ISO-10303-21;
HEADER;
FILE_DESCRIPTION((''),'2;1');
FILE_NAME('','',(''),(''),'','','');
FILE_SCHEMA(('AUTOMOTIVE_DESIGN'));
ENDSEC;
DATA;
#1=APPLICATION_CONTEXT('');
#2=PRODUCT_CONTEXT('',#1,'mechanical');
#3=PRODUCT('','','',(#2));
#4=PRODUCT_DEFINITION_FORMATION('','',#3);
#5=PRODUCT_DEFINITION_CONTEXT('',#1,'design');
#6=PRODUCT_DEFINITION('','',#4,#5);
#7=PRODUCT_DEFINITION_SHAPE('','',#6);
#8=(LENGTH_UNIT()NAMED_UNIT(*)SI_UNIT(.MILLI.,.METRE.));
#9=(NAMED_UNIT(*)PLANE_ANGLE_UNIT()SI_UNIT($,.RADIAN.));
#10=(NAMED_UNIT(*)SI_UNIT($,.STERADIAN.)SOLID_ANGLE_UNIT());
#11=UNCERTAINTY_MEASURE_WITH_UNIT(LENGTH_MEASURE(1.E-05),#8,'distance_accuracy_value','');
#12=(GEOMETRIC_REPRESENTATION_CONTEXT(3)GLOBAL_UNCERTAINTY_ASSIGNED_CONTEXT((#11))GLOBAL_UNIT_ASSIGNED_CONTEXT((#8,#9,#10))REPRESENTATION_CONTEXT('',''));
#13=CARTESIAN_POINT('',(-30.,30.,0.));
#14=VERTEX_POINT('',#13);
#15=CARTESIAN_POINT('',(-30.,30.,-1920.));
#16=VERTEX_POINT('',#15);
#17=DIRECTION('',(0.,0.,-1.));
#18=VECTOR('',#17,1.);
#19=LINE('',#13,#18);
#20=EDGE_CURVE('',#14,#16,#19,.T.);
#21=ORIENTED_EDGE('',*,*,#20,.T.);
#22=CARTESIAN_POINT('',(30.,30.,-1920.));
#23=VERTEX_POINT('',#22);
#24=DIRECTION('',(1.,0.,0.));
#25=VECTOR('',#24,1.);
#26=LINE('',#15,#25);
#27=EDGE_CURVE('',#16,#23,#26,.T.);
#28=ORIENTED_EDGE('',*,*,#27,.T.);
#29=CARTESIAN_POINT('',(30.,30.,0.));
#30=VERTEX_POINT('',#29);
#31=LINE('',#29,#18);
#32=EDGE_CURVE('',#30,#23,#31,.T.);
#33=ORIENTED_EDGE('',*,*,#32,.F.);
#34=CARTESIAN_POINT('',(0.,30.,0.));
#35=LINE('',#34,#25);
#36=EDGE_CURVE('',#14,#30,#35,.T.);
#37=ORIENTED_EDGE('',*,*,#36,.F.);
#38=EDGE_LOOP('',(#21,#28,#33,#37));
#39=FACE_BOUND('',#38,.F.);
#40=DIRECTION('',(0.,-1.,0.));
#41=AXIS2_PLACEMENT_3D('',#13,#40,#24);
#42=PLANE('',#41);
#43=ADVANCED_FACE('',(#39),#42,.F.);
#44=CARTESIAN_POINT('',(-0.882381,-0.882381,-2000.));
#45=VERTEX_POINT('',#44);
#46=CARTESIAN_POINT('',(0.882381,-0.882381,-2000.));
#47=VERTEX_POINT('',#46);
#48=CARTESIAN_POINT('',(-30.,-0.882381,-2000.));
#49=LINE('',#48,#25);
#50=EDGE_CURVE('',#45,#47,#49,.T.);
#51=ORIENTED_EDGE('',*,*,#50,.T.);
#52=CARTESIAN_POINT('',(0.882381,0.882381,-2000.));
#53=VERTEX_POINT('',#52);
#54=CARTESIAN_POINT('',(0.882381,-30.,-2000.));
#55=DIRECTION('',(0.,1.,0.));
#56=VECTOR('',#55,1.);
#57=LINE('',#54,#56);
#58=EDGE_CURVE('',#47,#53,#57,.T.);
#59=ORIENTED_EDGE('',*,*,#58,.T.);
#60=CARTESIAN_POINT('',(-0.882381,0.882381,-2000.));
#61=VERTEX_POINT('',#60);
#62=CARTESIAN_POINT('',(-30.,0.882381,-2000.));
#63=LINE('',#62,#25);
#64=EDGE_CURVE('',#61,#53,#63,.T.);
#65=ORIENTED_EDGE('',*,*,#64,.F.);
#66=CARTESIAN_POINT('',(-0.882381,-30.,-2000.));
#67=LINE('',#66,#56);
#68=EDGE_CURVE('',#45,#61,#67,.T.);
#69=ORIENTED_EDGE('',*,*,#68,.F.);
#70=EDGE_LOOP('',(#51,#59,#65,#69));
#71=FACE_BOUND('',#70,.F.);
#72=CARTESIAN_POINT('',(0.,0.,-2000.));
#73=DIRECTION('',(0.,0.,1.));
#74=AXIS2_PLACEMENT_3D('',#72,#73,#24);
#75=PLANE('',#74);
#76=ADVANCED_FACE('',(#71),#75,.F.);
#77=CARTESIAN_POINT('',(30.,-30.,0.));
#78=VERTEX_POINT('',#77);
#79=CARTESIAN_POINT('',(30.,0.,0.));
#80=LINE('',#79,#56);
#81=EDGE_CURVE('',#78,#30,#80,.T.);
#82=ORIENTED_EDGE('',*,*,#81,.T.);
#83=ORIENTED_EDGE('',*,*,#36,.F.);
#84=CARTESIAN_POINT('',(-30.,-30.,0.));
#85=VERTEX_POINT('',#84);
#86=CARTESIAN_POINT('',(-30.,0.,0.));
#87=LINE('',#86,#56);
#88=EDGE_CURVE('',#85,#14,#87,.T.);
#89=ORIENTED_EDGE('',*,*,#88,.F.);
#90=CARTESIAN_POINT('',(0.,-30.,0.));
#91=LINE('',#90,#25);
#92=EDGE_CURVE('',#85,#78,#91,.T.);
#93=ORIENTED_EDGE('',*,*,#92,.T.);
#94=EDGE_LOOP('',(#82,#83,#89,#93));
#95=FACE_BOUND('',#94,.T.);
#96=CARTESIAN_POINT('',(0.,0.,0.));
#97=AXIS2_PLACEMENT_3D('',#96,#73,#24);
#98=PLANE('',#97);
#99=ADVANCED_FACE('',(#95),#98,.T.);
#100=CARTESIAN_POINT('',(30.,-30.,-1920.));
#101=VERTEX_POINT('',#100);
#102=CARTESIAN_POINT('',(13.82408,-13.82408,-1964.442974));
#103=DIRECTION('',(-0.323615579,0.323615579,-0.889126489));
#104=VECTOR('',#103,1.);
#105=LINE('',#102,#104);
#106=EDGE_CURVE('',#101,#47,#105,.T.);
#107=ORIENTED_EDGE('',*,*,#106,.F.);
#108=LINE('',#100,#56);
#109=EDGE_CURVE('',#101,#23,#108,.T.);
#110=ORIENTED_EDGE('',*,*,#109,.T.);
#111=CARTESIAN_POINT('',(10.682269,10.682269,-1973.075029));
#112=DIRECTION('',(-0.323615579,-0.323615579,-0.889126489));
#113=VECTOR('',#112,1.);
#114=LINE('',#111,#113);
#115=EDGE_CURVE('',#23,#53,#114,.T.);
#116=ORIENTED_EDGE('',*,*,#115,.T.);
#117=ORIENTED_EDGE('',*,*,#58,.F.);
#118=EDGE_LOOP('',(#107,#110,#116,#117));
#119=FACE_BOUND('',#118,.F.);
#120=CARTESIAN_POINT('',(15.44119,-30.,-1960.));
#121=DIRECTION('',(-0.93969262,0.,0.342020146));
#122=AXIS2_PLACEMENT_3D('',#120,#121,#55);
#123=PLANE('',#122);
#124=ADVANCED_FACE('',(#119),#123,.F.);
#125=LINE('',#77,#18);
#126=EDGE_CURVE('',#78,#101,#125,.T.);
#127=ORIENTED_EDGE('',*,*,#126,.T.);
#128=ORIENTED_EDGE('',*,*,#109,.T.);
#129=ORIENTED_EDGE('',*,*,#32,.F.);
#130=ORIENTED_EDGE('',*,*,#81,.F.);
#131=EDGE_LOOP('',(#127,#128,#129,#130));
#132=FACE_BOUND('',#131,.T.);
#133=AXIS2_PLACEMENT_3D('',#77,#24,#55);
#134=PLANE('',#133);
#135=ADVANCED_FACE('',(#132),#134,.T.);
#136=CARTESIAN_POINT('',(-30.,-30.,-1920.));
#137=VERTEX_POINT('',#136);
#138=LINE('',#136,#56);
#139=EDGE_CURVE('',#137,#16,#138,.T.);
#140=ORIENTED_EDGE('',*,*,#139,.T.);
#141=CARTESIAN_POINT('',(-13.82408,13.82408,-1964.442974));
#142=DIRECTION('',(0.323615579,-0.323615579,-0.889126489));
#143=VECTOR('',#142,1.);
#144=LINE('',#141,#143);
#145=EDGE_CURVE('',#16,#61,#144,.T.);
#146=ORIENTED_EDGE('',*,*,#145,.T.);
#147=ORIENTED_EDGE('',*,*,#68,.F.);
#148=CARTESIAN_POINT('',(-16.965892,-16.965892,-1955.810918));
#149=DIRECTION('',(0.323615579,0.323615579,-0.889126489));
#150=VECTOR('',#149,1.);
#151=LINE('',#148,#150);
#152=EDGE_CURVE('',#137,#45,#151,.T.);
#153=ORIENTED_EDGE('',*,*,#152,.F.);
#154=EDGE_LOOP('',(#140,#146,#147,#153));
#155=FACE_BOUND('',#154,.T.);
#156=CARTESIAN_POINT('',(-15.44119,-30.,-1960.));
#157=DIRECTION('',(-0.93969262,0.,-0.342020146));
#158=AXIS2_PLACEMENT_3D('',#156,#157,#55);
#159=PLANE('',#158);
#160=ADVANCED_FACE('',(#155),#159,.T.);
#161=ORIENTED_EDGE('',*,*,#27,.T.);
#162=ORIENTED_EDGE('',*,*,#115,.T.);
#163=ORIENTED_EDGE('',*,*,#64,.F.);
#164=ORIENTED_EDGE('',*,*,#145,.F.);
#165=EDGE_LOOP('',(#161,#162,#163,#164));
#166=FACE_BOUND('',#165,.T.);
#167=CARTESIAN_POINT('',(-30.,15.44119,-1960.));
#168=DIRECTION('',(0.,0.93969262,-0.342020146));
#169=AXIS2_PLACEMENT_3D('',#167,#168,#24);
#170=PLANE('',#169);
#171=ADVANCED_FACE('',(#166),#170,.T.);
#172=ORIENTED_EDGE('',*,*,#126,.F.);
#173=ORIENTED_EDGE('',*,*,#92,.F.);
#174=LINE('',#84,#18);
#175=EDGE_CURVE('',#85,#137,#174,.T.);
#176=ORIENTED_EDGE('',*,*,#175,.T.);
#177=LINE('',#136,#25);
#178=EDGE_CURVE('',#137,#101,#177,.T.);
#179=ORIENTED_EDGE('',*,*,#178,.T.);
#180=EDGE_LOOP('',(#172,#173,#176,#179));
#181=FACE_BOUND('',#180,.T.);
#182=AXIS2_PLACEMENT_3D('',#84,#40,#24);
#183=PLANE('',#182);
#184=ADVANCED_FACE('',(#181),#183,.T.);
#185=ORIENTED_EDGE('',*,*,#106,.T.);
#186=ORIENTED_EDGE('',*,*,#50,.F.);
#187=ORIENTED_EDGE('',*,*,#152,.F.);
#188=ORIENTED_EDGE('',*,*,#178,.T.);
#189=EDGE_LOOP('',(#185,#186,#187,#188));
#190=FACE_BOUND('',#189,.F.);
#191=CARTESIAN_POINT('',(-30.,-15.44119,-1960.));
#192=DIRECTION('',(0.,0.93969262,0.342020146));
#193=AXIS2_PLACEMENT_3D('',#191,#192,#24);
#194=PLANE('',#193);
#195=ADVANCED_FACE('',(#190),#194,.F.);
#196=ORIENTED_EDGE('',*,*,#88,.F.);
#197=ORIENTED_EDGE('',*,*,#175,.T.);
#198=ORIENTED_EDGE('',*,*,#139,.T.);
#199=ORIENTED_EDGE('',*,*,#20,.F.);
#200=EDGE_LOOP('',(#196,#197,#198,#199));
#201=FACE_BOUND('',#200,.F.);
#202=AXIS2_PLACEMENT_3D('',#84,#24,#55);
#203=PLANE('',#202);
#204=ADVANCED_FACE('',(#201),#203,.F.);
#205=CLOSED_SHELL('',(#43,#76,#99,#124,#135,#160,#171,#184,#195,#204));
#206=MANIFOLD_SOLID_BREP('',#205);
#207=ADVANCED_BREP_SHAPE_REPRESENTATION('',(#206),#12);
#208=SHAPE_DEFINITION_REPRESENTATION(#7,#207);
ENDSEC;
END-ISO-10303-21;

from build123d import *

# Parameters (mm, degrees)
F0_W     = 60
F0_H     = 60
F1_DEPTH = 2000
F2_SIZE2 = 29.117619
F2_SIZE  = 80


with BuildPart() as f1:
    # F0 (on Top) → F1 (new body)
    with BuildSketch(Plane.XY):
        Rectangle(F0_W, F0_H)
    extrude(amount=-F1_DEPTH)

    # F2
    f2_edges = [f1.edges().sort_by_distance(p)[0] for p in [
        (30, 0, -2000),
        (0, 30, -2000),
        (-30, 0, -2000),
        (0, -30, -2000),
    ]]
    chamfer(f2_edges, length=F2_SIZE, length2=F2_SIZE2)


solid = f1.part
